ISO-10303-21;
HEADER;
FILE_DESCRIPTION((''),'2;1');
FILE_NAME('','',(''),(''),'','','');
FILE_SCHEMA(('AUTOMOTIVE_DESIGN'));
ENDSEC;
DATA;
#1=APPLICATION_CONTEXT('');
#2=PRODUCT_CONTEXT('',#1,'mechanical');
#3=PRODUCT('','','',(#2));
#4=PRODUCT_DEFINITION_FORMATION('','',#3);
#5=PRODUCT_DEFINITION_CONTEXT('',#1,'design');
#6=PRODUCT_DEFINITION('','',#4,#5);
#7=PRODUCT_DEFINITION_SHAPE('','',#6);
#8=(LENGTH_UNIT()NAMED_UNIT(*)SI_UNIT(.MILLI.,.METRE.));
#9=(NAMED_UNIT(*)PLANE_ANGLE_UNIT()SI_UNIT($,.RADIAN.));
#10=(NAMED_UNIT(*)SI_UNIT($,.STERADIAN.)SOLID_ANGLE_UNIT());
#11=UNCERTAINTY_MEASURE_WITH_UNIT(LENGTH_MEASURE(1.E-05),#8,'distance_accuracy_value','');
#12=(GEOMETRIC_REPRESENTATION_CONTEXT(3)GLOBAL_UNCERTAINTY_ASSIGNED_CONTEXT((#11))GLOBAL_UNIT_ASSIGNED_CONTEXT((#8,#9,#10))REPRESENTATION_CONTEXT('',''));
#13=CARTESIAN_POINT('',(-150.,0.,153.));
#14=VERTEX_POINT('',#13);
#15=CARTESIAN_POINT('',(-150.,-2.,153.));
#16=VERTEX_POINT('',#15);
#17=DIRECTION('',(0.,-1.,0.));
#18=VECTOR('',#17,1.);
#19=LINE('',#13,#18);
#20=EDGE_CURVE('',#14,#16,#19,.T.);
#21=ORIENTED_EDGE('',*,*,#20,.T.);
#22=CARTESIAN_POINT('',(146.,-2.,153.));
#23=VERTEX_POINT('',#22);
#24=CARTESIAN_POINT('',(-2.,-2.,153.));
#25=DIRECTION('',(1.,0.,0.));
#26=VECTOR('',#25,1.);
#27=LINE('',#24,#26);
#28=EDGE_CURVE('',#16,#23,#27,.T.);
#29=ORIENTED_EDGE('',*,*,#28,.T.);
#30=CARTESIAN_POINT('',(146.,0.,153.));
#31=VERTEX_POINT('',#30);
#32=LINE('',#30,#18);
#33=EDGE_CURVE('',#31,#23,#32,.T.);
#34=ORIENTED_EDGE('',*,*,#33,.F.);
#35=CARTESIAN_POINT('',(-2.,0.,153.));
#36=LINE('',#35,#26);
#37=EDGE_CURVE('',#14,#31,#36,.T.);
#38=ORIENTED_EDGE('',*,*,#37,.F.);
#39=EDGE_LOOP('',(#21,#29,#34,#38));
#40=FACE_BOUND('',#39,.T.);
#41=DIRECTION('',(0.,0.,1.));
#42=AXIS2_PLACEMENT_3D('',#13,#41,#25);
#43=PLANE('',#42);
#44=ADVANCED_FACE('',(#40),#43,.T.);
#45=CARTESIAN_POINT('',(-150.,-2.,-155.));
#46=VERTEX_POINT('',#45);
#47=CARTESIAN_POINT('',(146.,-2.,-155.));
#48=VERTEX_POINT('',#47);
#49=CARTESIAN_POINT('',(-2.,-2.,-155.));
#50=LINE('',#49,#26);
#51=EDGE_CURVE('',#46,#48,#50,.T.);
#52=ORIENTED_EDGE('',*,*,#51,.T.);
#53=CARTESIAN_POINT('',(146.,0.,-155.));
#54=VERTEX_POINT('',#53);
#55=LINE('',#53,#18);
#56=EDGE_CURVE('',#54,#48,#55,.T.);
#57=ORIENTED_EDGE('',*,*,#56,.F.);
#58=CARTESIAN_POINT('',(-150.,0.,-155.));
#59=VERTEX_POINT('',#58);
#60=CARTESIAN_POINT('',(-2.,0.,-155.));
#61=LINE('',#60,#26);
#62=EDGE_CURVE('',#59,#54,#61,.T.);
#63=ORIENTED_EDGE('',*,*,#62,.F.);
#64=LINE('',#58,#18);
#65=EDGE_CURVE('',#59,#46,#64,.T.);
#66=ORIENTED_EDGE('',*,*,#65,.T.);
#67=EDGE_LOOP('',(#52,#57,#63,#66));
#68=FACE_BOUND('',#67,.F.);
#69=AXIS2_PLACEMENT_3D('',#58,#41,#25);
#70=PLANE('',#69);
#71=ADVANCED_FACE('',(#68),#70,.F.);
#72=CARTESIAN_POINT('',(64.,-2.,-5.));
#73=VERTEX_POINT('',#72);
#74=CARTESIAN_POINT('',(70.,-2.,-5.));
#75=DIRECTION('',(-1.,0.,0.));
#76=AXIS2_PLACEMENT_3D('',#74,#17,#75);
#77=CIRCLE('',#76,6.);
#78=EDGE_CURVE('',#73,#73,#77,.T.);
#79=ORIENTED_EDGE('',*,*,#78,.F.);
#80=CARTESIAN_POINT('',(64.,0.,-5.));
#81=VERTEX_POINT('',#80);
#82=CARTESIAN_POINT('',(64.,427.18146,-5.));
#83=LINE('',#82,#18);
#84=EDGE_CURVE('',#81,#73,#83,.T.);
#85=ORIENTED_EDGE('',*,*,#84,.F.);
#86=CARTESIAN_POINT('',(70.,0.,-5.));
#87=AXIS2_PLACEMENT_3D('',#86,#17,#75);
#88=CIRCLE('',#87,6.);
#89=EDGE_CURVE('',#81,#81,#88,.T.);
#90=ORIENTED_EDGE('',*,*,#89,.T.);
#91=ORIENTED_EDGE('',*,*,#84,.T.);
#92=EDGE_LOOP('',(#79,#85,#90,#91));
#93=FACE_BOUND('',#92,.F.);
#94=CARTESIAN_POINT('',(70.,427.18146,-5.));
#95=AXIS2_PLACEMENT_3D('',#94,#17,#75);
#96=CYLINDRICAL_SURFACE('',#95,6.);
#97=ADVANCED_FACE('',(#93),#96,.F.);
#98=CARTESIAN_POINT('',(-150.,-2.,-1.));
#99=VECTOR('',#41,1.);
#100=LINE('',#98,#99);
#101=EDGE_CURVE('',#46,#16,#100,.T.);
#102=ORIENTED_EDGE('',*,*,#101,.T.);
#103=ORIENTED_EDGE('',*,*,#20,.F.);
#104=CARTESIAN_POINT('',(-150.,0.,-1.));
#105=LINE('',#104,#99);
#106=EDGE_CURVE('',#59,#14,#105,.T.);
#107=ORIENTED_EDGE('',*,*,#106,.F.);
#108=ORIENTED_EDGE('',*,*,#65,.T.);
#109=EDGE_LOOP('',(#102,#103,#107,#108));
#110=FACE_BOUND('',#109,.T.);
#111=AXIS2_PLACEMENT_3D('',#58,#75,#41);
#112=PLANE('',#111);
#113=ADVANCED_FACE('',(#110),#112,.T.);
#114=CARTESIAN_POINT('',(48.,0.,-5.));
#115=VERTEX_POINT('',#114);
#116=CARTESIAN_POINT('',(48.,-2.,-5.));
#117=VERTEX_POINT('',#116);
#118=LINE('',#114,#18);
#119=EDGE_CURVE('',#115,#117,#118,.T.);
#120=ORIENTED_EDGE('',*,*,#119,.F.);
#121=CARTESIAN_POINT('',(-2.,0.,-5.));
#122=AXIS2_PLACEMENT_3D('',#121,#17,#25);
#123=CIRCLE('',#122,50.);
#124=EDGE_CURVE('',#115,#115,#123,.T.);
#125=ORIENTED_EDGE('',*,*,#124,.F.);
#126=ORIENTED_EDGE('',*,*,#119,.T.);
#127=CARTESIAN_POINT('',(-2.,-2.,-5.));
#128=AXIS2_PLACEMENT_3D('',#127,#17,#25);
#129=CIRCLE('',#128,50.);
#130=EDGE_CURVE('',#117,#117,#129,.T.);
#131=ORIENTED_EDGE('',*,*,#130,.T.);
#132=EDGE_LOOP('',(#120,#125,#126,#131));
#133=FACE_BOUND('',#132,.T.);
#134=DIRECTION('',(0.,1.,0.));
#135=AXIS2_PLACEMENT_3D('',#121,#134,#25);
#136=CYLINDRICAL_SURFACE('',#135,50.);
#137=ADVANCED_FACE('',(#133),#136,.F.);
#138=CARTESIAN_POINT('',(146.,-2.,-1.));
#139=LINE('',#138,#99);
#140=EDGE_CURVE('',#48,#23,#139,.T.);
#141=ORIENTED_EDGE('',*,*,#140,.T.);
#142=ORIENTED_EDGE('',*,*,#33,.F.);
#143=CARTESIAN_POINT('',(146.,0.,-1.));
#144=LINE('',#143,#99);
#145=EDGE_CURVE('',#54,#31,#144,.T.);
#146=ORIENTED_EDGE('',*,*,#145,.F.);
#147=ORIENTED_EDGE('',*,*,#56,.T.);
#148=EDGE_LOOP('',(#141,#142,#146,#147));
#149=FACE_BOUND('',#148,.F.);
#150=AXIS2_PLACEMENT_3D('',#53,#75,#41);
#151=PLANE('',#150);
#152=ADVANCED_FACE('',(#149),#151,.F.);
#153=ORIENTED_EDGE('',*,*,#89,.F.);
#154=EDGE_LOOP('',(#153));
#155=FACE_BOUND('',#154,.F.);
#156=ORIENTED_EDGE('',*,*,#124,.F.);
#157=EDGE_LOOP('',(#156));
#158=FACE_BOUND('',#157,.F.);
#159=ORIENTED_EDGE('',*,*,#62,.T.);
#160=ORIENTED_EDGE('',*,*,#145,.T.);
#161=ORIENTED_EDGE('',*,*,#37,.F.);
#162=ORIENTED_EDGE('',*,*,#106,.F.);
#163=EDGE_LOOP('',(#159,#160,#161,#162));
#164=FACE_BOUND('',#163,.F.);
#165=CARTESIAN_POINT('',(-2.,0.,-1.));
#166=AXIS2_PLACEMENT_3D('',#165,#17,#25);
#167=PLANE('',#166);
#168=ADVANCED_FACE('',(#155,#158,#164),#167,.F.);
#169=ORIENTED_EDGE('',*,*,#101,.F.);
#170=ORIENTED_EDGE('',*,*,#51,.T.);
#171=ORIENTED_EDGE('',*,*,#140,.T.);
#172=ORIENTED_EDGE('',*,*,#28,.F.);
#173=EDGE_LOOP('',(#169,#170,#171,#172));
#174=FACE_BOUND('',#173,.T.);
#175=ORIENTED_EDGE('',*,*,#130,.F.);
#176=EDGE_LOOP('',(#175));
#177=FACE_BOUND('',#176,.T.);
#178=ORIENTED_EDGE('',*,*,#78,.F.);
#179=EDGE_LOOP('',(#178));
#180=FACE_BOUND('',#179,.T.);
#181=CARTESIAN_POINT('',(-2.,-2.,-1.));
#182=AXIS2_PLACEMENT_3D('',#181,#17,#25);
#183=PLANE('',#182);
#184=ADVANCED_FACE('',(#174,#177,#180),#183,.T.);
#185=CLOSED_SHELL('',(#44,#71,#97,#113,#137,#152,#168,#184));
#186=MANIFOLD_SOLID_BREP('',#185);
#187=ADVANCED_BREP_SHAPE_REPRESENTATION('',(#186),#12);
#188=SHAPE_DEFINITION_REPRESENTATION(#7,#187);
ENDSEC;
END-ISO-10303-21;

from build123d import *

# Parameters (mm, degrees)
F0_W     = 296
F0_H     = 308
F0_R     = 50
F1_DEPTH = 2
F2_D     = 12


with BuildPart() as f1:
    # F0 (on Front) → F1 (new body)
    with BuildSketch(Plane.XZ):
        with Locations((-2, -1)):
            Rectangle(F0_W, F0_H)
        with Locations((-2, -5)):
            Circle(F0_R, mode=Mode.SUBTRACT)
    extrude(amount=F1_DEPTH)

    # F2 (through all)
    with Locations(Plane(origin=(0, 0, 0), x_dir=(1, 0, 0), z_dir=(0, 1, 0))):
        with Locations((70, 5)):
            Hole(F2_D / 2)


solid = f1.part
